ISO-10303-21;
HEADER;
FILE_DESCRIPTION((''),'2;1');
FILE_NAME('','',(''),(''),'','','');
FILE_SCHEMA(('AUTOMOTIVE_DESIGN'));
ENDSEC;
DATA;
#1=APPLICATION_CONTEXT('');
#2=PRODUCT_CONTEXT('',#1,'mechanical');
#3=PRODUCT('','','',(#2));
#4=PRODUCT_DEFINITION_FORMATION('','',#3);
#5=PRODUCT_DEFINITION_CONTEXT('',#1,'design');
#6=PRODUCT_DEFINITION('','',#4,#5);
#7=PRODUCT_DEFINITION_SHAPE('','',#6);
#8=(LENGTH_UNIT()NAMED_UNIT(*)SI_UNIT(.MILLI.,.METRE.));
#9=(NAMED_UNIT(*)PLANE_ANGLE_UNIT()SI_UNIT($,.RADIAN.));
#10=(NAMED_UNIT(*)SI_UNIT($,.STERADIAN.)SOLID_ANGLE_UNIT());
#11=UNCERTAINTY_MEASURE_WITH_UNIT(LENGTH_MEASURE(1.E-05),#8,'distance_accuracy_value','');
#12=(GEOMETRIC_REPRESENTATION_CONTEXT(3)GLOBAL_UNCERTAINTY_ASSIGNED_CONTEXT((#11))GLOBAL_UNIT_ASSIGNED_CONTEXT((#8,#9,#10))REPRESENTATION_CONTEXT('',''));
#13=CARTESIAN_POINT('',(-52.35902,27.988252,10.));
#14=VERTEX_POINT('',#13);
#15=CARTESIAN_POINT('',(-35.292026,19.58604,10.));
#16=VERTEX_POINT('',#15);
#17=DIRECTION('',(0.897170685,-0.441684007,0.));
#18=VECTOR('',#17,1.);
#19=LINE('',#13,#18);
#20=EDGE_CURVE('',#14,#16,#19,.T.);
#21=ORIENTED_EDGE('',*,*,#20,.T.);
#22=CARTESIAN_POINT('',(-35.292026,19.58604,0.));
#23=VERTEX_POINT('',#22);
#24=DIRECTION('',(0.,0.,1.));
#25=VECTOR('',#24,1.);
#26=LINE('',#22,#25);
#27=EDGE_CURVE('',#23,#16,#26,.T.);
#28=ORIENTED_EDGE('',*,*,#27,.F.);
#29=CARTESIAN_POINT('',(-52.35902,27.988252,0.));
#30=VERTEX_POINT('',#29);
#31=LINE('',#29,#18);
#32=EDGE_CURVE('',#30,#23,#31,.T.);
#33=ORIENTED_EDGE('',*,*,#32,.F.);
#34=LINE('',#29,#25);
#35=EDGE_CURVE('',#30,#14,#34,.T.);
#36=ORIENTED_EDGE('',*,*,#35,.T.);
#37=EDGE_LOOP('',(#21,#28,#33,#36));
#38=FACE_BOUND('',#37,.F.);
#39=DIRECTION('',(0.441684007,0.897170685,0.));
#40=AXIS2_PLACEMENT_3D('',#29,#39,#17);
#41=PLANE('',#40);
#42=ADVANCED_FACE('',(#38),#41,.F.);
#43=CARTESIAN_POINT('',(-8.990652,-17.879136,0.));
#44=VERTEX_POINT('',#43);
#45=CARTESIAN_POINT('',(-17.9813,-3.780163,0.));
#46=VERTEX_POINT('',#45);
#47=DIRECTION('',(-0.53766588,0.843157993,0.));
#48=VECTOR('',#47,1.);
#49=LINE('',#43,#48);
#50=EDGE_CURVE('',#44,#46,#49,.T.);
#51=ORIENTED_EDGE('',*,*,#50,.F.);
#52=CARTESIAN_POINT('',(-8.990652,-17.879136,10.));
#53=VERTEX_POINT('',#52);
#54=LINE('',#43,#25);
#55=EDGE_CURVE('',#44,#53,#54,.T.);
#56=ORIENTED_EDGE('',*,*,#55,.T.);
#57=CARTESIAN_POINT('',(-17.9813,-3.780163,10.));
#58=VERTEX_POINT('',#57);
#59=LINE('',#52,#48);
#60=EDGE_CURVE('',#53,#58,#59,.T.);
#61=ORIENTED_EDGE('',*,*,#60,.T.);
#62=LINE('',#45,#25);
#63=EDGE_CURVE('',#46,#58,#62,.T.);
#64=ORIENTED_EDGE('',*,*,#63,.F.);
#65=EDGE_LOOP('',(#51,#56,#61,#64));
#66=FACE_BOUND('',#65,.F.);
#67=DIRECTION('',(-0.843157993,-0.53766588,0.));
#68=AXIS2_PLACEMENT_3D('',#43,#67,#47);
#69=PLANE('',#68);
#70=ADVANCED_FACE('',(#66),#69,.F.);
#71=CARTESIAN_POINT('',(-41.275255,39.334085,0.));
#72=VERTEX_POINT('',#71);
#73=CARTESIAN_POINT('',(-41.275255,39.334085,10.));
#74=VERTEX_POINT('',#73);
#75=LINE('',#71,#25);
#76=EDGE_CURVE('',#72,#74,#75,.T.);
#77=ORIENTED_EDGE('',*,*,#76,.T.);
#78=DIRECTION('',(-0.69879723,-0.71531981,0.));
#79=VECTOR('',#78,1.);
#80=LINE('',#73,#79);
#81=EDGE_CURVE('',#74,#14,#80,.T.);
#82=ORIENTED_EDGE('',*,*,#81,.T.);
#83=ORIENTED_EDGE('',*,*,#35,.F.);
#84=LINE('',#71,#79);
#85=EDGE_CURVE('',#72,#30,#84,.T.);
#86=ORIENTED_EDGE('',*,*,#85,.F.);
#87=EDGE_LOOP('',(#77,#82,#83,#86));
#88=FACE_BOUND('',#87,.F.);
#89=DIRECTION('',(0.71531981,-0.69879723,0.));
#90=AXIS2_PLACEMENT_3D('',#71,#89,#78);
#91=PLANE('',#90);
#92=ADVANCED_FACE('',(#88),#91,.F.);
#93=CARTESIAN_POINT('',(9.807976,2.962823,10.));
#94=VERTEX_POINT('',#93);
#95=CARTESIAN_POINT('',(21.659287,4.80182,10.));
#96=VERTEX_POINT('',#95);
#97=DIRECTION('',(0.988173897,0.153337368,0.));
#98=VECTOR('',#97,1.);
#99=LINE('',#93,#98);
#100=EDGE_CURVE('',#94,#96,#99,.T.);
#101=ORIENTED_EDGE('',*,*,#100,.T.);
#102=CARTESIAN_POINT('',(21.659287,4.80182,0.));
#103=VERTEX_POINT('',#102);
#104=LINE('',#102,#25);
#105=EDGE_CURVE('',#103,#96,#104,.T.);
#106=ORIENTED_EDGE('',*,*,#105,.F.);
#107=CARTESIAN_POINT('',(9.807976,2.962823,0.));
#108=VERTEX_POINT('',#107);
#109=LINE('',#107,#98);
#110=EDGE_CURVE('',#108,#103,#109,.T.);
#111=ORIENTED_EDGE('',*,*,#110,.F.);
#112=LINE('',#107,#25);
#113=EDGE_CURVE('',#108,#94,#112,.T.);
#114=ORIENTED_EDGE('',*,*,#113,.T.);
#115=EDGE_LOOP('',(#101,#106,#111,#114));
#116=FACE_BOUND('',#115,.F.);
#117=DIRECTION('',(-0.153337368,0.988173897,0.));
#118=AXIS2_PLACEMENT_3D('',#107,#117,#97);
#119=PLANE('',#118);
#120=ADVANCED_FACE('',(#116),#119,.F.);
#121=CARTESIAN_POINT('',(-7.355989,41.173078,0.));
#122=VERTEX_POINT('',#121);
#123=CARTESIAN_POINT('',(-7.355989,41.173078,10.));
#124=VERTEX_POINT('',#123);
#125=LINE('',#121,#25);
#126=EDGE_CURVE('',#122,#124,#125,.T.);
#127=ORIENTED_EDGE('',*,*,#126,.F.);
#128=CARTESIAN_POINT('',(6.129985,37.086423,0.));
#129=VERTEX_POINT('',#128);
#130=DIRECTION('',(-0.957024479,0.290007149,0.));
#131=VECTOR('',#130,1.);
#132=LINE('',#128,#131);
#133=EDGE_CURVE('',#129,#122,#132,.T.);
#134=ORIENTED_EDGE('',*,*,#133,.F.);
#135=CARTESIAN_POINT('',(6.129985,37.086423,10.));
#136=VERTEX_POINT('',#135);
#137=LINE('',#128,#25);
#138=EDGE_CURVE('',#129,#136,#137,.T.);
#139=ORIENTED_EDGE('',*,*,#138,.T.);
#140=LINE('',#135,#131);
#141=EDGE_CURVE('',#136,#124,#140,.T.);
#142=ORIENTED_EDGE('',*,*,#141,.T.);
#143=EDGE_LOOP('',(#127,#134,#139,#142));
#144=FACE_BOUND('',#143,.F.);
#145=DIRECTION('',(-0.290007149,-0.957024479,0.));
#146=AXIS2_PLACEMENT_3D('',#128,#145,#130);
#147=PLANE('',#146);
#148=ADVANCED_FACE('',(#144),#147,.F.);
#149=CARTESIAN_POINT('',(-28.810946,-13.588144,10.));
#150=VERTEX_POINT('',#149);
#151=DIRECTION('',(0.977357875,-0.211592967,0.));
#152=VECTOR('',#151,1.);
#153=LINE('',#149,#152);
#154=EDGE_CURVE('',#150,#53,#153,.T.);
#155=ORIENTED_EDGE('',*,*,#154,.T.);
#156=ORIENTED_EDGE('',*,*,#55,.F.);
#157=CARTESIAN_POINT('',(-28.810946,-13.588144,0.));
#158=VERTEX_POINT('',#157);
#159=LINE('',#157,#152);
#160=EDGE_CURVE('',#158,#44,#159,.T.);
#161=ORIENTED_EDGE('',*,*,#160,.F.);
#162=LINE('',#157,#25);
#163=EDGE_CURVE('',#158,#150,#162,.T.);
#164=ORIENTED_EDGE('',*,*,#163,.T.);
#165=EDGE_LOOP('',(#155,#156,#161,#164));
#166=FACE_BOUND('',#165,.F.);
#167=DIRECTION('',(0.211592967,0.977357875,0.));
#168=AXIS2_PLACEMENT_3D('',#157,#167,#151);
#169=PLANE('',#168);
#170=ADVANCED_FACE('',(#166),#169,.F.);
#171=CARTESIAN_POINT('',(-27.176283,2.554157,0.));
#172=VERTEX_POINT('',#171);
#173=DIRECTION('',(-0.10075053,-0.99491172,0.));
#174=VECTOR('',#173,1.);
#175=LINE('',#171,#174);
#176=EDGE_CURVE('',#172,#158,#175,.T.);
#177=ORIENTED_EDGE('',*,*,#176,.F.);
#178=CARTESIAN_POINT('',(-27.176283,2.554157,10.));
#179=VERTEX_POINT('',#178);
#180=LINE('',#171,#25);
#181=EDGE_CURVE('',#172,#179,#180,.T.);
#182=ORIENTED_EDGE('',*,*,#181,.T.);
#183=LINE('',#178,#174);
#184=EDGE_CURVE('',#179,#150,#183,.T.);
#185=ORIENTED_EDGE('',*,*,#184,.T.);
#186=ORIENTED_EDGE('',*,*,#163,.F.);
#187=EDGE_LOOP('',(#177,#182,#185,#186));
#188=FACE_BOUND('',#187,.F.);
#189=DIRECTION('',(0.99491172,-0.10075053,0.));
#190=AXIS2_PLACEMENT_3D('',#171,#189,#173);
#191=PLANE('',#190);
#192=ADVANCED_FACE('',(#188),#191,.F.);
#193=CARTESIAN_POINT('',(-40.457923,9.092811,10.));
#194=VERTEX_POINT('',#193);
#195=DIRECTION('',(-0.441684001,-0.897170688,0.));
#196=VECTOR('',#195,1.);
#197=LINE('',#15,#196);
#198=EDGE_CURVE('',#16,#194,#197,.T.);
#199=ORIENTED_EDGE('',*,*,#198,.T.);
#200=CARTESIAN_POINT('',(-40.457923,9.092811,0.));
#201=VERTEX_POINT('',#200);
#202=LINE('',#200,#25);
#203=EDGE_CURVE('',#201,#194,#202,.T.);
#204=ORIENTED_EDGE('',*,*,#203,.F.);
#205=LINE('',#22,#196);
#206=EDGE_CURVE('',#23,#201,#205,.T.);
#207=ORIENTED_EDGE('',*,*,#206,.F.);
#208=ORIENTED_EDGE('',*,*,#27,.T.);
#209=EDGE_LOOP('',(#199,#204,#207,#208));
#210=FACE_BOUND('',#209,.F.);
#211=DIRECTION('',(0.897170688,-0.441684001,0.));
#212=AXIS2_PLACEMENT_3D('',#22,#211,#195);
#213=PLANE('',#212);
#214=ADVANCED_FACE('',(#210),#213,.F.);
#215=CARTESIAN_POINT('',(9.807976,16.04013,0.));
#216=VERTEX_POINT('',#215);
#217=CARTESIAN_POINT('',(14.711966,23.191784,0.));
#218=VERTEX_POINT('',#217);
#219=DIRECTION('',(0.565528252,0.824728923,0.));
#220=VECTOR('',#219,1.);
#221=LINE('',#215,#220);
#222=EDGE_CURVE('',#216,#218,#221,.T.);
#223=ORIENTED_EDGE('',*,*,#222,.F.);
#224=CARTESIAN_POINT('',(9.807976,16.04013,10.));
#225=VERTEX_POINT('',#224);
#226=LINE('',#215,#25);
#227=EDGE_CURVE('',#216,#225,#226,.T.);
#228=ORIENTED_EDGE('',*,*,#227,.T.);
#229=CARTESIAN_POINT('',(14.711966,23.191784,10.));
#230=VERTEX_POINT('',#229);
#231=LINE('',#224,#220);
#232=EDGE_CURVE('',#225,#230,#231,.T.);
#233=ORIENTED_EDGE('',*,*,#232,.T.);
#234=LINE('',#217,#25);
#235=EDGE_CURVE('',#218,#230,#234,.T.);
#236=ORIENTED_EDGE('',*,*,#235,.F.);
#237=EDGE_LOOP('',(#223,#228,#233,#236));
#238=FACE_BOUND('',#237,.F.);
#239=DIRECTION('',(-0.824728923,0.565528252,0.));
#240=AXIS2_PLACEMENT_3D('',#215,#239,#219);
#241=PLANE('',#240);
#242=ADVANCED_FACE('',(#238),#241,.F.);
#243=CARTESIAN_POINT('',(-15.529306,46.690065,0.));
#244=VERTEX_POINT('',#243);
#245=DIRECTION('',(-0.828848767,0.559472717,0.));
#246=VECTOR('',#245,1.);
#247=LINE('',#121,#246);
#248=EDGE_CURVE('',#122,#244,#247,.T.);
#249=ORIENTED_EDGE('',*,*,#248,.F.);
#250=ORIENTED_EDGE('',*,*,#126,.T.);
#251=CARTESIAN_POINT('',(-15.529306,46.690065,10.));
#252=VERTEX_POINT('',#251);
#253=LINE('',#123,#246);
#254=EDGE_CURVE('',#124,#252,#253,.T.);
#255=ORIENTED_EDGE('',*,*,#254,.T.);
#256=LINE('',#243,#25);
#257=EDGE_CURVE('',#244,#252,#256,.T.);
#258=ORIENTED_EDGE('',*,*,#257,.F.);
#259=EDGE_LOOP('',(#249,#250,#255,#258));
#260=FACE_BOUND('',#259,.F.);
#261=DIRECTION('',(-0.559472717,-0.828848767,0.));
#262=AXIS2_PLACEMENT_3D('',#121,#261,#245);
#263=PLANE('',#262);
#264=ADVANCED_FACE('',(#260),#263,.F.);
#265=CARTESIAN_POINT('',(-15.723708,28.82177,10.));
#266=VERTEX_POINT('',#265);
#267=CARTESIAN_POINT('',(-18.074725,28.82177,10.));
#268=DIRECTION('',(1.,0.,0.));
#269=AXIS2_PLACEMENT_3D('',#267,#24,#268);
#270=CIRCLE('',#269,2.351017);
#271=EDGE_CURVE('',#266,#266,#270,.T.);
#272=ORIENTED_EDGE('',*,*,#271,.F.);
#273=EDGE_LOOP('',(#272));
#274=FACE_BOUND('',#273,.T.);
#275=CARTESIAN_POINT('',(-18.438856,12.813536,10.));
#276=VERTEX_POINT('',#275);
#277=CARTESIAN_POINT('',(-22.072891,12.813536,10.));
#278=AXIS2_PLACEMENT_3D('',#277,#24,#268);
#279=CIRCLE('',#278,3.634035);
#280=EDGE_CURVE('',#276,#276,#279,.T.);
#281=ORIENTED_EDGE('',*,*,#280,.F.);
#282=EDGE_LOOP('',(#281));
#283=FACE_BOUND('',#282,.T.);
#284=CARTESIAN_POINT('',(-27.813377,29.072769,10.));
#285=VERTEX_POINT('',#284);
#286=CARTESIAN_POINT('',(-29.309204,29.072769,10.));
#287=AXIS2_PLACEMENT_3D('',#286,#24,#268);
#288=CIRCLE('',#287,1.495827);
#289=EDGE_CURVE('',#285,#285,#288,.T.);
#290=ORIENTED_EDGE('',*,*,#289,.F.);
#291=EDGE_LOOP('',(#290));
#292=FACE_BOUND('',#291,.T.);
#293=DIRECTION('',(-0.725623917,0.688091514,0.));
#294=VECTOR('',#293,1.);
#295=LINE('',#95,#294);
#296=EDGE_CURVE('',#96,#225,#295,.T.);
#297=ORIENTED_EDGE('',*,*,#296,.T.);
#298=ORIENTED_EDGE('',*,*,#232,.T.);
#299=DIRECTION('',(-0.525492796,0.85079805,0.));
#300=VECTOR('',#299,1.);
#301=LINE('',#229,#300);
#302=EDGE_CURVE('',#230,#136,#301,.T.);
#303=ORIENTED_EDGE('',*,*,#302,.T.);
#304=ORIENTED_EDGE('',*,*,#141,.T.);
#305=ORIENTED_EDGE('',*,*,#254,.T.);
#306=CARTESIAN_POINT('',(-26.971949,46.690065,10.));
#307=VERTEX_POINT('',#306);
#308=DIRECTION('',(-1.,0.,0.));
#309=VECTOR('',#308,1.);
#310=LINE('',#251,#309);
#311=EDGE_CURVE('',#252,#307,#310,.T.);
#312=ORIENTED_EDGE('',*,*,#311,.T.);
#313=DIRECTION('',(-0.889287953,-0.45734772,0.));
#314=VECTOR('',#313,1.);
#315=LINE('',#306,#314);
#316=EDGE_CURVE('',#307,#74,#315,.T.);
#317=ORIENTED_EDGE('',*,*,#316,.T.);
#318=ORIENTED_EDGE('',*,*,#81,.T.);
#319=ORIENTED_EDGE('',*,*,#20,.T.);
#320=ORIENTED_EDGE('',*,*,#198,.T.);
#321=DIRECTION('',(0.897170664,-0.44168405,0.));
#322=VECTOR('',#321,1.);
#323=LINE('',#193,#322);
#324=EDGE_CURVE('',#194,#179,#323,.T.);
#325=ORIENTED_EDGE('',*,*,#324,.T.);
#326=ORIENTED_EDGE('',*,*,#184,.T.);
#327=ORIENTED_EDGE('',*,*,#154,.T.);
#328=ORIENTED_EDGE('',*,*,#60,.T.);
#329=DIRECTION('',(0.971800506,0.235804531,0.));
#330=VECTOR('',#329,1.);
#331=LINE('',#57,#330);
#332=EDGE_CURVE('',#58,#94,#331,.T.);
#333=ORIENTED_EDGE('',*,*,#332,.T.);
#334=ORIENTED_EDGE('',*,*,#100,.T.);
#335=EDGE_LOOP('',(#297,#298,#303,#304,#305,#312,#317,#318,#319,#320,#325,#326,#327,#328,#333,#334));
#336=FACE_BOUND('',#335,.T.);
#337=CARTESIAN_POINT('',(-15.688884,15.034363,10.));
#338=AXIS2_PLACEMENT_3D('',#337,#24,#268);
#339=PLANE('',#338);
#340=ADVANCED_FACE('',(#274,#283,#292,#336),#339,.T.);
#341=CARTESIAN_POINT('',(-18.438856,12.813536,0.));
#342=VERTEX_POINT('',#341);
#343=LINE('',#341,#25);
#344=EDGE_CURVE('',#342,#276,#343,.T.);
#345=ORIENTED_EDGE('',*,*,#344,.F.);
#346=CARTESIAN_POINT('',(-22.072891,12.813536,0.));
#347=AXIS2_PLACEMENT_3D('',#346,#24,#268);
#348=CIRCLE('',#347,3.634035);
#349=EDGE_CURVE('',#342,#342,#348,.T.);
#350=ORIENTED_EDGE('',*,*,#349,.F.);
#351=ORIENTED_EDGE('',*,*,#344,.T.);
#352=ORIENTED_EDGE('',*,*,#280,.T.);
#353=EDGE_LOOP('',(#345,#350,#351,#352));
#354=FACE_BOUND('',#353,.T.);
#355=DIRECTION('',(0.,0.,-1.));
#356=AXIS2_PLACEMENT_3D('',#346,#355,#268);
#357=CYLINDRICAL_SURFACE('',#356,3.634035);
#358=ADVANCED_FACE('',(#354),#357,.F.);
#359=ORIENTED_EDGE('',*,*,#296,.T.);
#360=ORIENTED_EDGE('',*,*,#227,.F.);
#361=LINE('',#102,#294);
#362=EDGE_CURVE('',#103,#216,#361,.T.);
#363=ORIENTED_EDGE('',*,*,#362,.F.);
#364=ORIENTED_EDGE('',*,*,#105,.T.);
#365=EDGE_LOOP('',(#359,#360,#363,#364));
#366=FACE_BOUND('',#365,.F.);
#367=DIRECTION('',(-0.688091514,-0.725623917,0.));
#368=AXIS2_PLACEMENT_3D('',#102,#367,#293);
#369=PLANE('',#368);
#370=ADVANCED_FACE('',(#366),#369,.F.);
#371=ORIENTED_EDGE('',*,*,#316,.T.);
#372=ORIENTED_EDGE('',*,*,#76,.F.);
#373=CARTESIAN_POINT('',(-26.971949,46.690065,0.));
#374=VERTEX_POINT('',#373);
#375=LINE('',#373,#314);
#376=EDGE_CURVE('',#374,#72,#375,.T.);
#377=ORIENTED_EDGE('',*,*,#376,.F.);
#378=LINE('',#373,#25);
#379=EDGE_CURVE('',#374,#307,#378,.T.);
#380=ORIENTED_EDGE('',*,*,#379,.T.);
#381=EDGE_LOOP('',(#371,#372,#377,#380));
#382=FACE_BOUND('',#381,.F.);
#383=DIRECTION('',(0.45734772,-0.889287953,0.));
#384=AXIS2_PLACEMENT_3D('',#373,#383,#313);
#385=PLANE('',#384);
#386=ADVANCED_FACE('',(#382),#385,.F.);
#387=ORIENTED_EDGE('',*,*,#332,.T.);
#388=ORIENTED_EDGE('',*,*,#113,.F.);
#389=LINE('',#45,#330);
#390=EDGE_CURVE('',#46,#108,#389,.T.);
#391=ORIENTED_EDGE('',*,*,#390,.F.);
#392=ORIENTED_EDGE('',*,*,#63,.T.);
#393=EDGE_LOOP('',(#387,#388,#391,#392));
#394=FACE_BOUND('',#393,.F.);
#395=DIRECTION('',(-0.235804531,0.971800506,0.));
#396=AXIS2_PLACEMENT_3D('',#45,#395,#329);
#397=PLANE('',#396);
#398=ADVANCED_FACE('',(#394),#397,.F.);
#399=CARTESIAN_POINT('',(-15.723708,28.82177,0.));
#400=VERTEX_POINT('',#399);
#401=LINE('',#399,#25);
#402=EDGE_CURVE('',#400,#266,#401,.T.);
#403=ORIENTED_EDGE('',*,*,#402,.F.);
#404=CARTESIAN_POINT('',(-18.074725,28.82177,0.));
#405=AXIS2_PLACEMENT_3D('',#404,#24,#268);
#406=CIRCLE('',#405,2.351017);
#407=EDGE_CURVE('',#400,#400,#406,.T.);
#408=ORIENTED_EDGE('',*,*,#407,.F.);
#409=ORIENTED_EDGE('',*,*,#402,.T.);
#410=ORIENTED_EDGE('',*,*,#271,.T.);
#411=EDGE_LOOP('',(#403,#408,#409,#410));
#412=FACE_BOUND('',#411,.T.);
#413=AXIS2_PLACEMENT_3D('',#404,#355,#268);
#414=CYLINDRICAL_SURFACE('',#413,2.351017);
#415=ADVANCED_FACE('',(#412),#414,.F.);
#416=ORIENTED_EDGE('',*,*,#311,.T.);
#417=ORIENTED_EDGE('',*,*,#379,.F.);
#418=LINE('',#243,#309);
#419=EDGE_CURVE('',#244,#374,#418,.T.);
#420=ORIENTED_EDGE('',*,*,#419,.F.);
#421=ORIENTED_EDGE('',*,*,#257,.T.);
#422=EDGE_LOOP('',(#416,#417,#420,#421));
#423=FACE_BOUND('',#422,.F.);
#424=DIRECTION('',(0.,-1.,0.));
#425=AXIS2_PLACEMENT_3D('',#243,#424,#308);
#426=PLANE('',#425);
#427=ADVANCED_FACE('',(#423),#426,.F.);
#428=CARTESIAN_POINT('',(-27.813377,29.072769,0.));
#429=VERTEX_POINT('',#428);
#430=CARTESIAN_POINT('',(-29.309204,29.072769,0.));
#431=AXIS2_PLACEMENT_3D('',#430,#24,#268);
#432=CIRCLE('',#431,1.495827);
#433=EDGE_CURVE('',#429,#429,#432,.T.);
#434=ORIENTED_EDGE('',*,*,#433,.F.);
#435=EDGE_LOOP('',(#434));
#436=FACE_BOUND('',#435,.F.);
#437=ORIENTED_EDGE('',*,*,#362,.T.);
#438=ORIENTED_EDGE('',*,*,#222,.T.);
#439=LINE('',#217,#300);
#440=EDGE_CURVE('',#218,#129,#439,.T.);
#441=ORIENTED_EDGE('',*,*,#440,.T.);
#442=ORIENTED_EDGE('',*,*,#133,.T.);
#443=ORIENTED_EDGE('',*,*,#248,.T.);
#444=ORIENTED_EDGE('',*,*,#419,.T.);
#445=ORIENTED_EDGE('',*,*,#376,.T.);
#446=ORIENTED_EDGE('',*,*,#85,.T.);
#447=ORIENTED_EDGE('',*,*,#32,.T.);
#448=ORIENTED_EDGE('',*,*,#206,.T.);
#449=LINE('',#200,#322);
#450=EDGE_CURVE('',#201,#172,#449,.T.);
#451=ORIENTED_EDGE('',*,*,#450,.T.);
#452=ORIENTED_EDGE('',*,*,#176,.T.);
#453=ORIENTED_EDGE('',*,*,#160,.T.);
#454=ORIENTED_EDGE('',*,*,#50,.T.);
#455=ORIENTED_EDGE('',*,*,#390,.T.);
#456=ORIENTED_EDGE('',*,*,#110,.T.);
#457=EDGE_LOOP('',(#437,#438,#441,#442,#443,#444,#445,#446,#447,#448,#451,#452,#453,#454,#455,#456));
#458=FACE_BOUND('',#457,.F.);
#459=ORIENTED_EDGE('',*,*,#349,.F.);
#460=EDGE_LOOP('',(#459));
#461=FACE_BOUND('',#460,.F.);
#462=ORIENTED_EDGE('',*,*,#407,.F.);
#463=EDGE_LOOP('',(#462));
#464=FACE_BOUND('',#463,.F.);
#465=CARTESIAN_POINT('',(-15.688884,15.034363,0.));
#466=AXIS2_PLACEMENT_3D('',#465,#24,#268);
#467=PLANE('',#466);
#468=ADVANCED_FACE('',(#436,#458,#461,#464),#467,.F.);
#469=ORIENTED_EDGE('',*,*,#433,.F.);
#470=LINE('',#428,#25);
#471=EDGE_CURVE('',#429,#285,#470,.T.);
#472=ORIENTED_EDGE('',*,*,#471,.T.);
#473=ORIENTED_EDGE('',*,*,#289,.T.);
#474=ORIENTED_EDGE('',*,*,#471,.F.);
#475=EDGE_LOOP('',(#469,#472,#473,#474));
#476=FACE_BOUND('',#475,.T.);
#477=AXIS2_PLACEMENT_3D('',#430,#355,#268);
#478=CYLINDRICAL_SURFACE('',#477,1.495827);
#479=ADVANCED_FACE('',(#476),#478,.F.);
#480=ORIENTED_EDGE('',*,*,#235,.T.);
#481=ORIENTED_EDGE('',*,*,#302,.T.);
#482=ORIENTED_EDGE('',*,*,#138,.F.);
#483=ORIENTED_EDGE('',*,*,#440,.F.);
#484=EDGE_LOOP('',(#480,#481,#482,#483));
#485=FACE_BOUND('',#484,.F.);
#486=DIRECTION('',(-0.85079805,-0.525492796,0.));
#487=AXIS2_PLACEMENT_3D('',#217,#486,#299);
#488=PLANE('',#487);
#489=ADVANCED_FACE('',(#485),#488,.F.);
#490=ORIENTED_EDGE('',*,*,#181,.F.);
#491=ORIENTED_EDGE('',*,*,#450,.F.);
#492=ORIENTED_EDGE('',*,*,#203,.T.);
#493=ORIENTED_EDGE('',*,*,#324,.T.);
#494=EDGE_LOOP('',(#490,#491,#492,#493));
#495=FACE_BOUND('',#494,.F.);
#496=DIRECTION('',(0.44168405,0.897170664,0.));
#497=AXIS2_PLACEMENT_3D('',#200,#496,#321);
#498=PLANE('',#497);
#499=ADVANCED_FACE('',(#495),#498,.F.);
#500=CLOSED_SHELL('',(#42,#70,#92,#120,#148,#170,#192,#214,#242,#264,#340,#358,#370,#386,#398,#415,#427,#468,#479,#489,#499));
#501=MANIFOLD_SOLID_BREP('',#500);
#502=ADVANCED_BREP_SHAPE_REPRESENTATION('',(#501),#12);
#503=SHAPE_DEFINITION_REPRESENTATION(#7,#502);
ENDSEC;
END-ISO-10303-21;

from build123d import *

# Parameters (mm, degrees)
F0_R     = 3.634035
F0_R_2   = 1.495827
F0_R_3   = 2.351017
F1_DEPTH = 10


with BuildPart() as f1:
    # F0 (on Top) → F1 (new body)
    with BuildSketch(Plane.XY):
        Polygon((-26.971949, 46.690065), (-41.275255, 39.334085), (-52.35902, 27.988252), (-35.292026, 19.58604), (-40.457923, 9.092811), (-27.176283, 2.554157), (-28.810946, -13.588144), (-8.990652, -17.879136), (-17.9813, -3.780163), (9.807976, 2.962823), (21.659287, 4.80182), (9.807976, 16.04013), (14.711966, 23.191784), (6.129985, 37.086423), (-7.355989, 41.173078), (-15.529306, 46.690065), align=None)
        with Locations((-22.072891, 12.813536)):
            Circle(F0_R, mode=Mode.SUBTRACT)
        with Locations((-29.309204, 29.072769)):
            Circle(F0_R_2, mode=Mode.SUBTRACT)
        with Locations((-18.074725, 28.82177)):
            Circle(F0_R_3, mode=Mode.SUBTRACT)
    extrude(amount=F1_DEPTH)


solid = f1.part
